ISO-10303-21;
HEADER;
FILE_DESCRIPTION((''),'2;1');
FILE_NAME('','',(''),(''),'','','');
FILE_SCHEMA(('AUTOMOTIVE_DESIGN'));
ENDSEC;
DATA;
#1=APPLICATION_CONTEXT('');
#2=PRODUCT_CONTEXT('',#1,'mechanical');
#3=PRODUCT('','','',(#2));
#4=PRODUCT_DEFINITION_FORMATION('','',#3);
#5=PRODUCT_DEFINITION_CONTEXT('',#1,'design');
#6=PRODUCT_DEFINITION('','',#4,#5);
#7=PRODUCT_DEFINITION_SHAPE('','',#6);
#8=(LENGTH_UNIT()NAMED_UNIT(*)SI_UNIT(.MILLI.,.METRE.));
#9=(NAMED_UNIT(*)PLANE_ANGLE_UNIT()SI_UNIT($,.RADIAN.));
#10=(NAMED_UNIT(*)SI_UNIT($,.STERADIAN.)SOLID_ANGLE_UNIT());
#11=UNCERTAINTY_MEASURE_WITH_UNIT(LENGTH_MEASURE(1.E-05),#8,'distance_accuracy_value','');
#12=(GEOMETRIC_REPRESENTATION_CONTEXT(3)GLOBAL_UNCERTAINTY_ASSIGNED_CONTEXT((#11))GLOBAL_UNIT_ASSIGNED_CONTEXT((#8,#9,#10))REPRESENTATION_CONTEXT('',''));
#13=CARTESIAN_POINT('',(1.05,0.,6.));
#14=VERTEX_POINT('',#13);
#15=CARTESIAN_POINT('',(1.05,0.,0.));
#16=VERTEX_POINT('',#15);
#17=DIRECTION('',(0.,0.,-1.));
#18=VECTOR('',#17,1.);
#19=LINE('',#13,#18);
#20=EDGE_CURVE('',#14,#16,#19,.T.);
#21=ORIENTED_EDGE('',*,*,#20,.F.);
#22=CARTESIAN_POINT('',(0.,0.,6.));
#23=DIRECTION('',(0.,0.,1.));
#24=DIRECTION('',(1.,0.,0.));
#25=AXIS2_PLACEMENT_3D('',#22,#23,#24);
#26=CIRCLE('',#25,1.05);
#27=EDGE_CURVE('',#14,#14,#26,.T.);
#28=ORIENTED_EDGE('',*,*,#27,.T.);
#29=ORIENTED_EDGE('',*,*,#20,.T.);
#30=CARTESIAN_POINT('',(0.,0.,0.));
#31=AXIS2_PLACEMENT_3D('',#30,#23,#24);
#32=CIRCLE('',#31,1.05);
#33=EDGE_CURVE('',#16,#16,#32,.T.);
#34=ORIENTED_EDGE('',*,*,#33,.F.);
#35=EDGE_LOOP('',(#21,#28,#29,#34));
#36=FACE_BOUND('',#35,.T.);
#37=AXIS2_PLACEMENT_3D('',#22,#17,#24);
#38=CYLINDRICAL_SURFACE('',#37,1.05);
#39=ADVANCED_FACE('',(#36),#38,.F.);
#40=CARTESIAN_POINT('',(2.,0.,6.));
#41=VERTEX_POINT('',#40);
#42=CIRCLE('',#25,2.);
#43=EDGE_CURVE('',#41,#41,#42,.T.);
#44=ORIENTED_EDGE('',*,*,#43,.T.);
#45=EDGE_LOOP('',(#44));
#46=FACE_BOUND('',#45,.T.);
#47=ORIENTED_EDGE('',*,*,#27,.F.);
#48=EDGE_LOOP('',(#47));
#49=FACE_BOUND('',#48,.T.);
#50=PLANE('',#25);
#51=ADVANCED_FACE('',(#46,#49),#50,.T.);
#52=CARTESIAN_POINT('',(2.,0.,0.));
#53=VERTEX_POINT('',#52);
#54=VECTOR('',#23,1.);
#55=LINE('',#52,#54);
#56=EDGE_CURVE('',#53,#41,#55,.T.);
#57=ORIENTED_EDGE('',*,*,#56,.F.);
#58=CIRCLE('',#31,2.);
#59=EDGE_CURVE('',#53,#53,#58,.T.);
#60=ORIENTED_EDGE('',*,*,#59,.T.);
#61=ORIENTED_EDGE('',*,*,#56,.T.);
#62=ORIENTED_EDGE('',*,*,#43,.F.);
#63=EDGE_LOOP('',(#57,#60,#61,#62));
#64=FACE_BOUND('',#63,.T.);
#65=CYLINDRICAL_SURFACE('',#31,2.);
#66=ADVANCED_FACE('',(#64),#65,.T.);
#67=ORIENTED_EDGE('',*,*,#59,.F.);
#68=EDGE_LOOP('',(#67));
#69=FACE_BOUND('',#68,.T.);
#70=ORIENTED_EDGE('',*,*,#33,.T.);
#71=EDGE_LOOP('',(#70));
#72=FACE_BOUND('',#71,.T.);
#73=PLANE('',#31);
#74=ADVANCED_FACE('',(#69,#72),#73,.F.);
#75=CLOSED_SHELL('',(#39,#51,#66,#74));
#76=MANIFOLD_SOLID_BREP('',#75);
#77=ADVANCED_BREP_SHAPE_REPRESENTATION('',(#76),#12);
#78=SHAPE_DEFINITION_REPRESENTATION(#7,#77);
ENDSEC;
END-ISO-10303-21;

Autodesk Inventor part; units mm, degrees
ref_plane "YZ Plane" through (0, 0, 0) normal (1, 0, 0) x (0, 1, 0)
ref_plane "XZ Plane" through (0, 0, 0) normal (0, 1, 0) x (-1, 0, 0)
ref_plane "XY Plane" through (0, 0, 0) normal (0, 0, 1) x (1, 0, 0)
sketch "Sketch1" plane through (0, 0, 0) normal (0, 1, 0) x (-1, 0, 0)
  line L0 (0, 0) -> (0, 6) construction
  line L1 (-1.05, 0) -> (-2, 0)
  line L2 (-2, 0) -> (-2, 6)
  line L3 (-2, 6) -> (-1.05, 6)
  line L4 (-1.05, 6) -> (-1.05, 0)
  dimension "d0" = 6
  dimension "d1" = 2.1
  dimension "d2" = 4
revolve "Revolution1" add sketch "Sketch1" angle 360 about axis through (0, 0, 0) along (0, 0, 1)
properties part number "C-2006-4" material "Acetal Resin, White"
